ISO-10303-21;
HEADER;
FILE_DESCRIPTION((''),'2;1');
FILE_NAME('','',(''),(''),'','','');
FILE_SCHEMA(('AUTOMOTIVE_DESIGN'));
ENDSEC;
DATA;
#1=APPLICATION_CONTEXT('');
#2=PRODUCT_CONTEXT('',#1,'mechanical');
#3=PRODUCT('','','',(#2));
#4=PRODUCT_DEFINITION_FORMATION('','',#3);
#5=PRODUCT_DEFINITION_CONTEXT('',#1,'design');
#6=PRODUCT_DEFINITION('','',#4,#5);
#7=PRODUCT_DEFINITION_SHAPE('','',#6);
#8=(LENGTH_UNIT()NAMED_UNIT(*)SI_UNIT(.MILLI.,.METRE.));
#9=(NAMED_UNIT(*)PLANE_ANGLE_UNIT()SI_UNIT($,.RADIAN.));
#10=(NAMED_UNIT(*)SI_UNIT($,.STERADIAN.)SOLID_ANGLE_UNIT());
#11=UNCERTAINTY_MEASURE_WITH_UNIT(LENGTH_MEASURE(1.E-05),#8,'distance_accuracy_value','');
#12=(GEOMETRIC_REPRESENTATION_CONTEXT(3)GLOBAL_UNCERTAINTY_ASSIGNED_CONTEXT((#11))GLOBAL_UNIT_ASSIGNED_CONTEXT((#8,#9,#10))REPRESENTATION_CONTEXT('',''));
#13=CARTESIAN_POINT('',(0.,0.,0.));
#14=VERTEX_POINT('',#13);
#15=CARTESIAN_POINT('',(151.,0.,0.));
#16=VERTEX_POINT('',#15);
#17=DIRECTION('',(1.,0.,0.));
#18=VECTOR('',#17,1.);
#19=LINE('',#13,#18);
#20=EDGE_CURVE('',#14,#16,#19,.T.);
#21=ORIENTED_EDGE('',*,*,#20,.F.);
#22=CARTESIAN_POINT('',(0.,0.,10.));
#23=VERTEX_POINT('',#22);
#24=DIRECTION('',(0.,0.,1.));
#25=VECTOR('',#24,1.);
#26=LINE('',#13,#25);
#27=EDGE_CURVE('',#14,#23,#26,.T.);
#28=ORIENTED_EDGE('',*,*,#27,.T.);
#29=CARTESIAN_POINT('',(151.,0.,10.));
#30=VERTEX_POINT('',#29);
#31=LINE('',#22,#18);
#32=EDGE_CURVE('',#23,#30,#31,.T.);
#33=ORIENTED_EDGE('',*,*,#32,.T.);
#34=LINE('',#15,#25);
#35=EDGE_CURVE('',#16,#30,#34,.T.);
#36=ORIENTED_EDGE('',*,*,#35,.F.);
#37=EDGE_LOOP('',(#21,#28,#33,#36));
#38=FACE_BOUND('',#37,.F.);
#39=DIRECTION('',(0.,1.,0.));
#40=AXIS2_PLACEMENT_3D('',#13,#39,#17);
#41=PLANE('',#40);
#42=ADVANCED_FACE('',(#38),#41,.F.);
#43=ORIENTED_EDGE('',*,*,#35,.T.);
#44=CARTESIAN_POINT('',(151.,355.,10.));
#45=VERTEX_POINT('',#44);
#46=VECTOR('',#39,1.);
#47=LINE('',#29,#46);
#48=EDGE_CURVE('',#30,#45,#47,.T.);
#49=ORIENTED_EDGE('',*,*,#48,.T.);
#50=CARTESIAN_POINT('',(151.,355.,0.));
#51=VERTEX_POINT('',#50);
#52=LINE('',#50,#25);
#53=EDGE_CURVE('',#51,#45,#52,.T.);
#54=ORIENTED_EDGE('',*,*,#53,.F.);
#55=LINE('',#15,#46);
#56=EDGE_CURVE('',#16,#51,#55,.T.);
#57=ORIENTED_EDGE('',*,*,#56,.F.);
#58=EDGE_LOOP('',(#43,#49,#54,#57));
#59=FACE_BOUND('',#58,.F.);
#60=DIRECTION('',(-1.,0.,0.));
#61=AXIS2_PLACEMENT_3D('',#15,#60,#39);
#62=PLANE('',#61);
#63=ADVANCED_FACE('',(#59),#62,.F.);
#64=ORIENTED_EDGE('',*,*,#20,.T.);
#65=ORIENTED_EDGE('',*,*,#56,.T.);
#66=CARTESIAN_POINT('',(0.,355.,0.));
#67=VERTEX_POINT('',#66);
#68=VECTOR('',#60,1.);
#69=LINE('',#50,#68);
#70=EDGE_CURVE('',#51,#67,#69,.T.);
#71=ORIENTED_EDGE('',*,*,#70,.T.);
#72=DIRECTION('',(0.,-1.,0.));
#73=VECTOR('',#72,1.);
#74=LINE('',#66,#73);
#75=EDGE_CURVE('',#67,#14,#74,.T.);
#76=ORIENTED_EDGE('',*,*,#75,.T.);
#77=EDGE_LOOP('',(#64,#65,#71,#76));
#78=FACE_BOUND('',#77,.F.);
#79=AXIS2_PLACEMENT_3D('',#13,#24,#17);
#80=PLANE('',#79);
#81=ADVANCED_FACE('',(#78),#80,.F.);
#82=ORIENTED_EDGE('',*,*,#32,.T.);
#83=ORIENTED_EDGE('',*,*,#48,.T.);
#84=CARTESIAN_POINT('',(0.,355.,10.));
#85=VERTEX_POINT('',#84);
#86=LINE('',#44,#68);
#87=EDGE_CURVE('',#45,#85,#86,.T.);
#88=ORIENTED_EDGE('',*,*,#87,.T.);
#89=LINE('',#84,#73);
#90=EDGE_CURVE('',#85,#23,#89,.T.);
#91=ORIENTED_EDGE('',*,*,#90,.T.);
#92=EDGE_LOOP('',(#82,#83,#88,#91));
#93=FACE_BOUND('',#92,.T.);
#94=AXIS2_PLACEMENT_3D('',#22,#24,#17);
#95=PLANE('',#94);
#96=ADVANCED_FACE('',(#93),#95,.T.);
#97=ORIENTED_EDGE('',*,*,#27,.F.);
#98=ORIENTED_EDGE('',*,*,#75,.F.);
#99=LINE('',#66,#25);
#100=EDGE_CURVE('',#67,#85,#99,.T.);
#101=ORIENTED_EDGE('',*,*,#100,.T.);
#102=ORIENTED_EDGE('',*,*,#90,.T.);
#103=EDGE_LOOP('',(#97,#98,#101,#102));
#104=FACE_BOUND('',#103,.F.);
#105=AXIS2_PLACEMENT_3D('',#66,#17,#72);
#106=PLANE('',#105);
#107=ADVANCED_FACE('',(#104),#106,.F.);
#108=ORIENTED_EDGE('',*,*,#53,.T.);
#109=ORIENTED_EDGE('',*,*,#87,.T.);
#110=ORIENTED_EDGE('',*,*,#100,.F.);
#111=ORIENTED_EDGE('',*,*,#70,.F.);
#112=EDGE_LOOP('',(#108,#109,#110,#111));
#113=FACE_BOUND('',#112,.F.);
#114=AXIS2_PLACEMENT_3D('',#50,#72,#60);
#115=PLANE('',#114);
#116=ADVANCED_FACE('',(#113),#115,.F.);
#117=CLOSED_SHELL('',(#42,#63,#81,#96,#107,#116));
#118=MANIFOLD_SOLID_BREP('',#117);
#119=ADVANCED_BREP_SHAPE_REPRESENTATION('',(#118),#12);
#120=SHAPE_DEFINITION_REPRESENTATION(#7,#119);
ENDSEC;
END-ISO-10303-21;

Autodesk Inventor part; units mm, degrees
ref_plane "YZ Plane" through (0, 0, 0) normal (1, 0, 0) x (0, 1, 0)
ref_plane "XZ Plane" through (0, 0, 0) normal (0, 1, 0) x (-1, 0, 0)
ref_plane "XY Plane" through (0, 0, 0) normal (0, 0, 1) x (1, 0, 0)
sketch "Boceto1" plane through (0, 0, 0) normal (0, 0, 1) x (1, 0, 0)
  line L0 (0, 0) -> (151, 0)
  line L1 (151, 0) -> (151, 355)
  line L2 (151, 355) -> (0, 355)
  line L3 (0, 355) -> (0, 0)
  dimension "d0" = 151
  dimension "d1" = 355
extrude "Extrusión1" add sketch "Boceto1" along normal blind 10
properties part number "Placa" material "Acero inoxidable"
